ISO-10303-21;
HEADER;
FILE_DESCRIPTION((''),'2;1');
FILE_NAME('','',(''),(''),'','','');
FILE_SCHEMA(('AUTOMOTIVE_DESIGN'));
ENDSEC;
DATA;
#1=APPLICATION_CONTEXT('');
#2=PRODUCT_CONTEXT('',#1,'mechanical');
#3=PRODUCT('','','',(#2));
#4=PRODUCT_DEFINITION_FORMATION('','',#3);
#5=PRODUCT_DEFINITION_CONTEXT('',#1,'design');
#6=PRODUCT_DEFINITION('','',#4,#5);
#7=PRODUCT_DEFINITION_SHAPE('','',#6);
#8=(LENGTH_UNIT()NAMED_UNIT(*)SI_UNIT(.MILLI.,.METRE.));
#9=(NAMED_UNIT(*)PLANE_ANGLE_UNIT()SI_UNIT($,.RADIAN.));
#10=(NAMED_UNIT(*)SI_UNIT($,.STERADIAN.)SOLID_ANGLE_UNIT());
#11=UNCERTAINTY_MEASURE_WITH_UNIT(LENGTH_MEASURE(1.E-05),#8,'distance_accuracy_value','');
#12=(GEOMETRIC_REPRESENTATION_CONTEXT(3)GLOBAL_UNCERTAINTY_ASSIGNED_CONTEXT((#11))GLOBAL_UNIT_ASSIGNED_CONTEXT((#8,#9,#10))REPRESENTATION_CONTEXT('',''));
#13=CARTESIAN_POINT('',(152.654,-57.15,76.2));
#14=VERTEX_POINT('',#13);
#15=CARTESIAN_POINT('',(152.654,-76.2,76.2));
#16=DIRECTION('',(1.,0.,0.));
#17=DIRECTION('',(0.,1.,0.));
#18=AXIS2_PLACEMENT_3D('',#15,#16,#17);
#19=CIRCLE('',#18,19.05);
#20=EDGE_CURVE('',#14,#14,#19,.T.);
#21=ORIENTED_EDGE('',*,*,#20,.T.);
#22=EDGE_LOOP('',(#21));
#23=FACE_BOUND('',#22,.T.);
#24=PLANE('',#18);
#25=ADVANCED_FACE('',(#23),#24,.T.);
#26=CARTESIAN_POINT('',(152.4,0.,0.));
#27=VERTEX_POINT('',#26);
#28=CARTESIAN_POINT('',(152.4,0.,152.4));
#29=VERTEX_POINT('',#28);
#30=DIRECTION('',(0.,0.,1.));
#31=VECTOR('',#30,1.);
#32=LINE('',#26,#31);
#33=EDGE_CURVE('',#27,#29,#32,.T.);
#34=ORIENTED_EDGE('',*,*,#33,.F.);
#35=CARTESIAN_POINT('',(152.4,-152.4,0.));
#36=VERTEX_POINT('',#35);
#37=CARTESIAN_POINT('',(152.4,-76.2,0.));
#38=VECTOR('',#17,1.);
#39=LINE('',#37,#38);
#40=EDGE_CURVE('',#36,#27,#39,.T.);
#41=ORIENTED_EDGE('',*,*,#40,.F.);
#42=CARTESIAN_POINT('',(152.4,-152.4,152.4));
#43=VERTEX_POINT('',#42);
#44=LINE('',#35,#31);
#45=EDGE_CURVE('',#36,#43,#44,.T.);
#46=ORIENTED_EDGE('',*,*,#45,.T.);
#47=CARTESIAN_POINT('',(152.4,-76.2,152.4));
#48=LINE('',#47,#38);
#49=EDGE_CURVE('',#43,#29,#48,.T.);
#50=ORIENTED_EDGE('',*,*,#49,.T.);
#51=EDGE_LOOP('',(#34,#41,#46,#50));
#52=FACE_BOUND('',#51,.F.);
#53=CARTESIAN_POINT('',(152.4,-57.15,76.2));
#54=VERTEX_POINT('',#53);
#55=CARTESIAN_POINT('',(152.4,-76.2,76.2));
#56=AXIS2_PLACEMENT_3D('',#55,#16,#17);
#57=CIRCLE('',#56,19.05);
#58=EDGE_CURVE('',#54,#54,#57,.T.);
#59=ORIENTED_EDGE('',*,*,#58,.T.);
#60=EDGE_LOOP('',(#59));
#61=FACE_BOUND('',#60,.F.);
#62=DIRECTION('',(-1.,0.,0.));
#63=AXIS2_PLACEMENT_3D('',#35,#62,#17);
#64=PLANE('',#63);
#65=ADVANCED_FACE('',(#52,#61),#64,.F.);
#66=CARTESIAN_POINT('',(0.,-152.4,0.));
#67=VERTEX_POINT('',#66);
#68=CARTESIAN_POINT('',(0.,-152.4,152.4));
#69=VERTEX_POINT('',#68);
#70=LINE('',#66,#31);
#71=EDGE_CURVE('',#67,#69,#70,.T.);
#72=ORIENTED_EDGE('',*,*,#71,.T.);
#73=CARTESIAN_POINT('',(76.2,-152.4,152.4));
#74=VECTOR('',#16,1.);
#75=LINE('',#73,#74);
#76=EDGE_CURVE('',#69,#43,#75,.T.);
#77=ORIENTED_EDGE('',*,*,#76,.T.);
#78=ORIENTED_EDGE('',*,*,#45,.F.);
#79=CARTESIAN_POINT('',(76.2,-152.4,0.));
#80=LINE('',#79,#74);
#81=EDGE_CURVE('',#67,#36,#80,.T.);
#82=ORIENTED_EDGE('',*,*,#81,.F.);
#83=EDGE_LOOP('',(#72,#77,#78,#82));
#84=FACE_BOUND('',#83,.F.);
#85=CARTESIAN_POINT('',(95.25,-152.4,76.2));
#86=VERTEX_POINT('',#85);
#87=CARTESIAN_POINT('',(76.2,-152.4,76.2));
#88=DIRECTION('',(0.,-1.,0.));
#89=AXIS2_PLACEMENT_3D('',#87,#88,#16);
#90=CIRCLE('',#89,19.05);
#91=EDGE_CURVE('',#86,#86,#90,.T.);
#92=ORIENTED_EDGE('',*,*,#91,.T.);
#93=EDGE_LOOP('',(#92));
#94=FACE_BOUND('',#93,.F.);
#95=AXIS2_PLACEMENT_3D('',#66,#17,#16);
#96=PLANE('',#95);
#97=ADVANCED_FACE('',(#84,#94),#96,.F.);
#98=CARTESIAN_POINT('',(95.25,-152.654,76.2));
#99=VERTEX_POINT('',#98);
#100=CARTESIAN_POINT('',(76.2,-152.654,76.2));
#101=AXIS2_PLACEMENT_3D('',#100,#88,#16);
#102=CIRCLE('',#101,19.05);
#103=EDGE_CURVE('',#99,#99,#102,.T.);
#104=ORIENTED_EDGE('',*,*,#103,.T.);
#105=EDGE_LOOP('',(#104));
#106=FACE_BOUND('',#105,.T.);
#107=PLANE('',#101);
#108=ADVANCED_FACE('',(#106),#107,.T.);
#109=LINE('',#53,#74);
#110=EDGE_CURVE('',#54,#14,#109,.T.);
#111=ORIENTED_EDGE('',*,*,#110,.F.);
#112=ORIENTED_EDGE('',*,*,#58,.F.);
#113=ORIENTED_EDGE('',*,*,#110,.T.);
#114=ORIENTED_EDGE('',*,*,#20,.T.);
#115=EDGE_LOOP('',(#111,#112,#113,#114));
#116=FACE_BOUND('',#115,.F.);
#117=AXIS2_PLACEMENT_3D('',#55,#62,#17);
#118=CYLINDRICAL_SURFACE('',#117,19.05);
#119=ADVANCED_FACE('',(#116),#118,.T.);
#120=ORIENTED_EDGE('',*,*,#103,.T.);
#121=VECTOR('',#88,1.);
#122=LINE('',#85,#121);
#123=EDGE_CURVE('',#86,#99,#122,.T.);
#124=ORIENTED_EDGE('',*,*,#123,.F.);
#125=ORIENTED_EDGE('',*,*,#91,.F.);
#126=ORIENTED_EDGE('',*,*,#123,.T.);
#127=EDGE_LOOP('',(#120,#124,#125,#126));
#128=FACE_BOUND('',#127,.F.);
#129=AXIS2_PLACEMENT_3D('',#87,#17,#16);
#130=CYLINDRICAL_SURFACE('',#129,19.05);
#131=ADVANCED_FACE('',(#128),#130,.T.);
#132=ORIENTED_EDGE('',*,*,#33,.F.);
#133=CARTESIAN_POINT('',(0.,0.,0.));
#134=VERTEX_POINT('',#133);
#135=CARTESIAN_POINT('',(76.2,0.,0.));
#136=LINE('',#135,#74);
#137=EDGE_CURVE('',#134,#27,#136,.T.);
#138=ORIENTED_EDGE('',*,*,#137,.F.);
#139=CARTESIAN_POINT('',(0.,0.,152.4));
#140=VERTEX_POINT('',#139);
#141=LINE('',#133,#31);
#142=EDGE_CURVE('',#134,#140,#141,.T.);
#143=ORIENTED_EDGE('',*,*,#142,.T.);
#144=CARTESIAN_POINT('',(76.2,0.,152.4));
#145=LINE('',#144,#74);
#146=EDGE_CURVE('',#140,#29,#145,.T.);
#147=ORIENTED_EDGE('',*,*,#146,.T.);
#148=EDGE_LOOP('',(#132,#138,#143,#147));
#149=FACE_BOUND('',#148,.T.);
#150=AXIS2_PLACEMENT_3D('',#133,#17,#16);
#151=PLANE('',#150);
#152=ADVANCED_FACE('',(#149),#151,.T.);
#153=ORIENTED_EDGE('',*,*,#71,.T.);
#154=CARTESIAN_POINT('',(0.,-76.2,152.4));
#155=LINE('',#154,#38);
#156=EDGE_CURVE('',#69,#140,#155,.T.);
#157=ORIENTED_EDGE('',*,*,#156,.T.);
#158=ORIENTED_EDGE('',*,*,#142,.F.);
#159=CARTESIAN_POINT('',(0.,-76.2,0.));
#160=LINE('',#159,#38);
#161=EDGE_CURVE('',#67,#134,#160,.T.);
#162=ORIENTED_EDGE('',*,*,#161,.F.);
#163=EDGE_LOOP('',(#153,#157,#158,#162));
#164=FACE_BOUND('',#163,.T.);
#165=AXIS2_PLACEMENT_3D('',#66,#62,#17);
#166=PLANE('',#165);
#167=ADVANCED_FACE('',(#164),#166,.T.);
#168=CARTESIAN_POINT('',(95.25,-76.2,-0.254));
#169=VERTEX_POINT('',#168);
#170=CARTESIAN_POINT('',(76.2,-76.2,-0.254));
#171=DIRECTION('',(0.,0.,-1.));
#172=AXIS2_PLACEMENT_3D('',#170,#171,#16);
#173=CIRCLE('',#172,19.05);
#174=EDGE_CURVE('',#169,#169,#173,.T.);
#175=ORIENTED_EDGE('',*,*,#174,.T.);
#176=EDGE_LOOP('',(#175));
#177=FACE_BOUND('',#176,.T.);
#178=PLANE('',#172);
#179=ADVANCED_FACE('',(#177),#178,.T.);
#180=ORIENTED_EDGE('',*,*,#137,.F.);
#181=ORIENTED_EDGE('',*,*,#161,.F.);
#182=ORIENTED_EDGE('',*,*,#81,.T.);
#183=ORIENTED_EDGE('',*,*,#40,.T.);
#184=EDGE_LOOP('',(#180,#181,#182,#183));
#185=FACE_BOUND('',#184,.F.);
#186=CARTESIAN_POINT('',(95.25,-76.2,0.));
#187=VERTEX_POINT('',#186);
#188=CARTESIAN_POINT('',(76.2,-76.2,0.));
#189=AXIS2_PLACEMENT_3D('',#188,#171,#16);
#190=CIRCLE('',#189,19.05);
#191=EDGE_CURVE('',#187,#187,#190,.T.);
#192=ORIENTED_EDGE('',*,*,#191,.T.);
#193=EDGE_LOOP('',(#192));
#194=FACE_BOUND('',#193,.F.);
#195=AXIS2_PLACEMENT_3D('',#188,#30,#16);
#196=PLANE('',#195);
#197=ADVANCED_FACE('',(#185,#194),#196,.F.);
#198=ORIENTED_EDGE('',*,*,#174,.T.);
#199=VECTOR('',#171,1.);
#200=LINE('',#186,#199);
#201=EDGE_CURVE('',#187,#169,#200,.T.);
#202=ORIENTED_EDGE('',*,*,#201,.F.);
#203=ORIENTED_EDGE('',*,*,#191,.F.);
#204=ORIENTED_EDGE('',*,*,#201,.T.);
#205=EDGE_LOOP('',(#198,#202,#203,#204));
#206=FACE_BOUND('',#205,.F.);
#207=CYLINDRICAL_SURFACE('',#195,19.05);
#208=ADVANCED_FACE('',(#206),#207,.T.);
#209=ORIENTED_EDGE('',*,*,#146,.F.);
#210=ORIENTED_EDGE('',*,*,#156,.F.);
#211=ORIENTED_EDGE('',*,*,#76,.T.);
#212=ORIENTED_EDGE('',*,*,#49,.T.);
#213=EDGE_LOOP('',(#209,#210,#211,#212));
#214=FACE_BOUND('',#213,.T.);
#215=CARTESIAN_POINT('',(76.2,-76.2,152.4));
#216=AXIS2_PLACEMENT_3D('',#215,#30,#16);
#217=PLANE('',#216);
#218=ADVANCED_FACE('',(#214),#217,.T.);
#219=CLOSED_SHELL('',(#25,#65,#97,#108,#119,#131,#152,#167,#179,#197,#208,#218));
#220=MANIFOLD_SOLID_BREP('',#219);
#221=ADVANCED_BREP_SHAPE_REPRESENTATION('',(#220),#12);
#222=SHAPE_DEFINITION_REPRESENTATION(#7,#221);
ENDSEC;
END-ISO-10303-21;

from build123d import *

# Parameters (mm, degrees)
F0_W     = 152.4
F0_H     = 152.4
F1_DEPTH = 152.4
F2_R     = 19.05
F3_DEPTH = 0.254
F4_R     = 19.05
F5_DEPTH = 0.254
F6_R     = 19.05
F7_DEPTH = 0.254


with BuildPart() as f1:
    # F0 (on Top) → F1 (new body)
    with BuildSketch(Plane.XY):
        with Locations((76.2, -76.2)):
            Rectangle(F0_W, F0_H)
    extrude(amount=F1_DEPTH)

    # F2 (on face) → F3 (join)
    with BuildSketch(Plane.XZ.offset(152.4)):
        with Locations((76.2, 76.2)):
            Circle(F2_R)
    extrude(amount=F3_DEPTH)

    # F4 (on face) → F5 (join)
    with BuildSketch(Plane.YZ.offset(152.4)):
        with Locations((-76.2, 76.2)):
            Circle(F4_R)
    extrude(amount=F5_DEPTH)

    # F6 (on face) → F7 (join)
    with BuildSketch(Plane(origin=(0, 0, 0), x_dir=(1, 0, 0), z_dir=(0, 0, -1))):
        with Locations((76.2, 76.2)):
            Circle(F6_R)
    extrude(amount=F7_DEPTH)


solid = f1.part
